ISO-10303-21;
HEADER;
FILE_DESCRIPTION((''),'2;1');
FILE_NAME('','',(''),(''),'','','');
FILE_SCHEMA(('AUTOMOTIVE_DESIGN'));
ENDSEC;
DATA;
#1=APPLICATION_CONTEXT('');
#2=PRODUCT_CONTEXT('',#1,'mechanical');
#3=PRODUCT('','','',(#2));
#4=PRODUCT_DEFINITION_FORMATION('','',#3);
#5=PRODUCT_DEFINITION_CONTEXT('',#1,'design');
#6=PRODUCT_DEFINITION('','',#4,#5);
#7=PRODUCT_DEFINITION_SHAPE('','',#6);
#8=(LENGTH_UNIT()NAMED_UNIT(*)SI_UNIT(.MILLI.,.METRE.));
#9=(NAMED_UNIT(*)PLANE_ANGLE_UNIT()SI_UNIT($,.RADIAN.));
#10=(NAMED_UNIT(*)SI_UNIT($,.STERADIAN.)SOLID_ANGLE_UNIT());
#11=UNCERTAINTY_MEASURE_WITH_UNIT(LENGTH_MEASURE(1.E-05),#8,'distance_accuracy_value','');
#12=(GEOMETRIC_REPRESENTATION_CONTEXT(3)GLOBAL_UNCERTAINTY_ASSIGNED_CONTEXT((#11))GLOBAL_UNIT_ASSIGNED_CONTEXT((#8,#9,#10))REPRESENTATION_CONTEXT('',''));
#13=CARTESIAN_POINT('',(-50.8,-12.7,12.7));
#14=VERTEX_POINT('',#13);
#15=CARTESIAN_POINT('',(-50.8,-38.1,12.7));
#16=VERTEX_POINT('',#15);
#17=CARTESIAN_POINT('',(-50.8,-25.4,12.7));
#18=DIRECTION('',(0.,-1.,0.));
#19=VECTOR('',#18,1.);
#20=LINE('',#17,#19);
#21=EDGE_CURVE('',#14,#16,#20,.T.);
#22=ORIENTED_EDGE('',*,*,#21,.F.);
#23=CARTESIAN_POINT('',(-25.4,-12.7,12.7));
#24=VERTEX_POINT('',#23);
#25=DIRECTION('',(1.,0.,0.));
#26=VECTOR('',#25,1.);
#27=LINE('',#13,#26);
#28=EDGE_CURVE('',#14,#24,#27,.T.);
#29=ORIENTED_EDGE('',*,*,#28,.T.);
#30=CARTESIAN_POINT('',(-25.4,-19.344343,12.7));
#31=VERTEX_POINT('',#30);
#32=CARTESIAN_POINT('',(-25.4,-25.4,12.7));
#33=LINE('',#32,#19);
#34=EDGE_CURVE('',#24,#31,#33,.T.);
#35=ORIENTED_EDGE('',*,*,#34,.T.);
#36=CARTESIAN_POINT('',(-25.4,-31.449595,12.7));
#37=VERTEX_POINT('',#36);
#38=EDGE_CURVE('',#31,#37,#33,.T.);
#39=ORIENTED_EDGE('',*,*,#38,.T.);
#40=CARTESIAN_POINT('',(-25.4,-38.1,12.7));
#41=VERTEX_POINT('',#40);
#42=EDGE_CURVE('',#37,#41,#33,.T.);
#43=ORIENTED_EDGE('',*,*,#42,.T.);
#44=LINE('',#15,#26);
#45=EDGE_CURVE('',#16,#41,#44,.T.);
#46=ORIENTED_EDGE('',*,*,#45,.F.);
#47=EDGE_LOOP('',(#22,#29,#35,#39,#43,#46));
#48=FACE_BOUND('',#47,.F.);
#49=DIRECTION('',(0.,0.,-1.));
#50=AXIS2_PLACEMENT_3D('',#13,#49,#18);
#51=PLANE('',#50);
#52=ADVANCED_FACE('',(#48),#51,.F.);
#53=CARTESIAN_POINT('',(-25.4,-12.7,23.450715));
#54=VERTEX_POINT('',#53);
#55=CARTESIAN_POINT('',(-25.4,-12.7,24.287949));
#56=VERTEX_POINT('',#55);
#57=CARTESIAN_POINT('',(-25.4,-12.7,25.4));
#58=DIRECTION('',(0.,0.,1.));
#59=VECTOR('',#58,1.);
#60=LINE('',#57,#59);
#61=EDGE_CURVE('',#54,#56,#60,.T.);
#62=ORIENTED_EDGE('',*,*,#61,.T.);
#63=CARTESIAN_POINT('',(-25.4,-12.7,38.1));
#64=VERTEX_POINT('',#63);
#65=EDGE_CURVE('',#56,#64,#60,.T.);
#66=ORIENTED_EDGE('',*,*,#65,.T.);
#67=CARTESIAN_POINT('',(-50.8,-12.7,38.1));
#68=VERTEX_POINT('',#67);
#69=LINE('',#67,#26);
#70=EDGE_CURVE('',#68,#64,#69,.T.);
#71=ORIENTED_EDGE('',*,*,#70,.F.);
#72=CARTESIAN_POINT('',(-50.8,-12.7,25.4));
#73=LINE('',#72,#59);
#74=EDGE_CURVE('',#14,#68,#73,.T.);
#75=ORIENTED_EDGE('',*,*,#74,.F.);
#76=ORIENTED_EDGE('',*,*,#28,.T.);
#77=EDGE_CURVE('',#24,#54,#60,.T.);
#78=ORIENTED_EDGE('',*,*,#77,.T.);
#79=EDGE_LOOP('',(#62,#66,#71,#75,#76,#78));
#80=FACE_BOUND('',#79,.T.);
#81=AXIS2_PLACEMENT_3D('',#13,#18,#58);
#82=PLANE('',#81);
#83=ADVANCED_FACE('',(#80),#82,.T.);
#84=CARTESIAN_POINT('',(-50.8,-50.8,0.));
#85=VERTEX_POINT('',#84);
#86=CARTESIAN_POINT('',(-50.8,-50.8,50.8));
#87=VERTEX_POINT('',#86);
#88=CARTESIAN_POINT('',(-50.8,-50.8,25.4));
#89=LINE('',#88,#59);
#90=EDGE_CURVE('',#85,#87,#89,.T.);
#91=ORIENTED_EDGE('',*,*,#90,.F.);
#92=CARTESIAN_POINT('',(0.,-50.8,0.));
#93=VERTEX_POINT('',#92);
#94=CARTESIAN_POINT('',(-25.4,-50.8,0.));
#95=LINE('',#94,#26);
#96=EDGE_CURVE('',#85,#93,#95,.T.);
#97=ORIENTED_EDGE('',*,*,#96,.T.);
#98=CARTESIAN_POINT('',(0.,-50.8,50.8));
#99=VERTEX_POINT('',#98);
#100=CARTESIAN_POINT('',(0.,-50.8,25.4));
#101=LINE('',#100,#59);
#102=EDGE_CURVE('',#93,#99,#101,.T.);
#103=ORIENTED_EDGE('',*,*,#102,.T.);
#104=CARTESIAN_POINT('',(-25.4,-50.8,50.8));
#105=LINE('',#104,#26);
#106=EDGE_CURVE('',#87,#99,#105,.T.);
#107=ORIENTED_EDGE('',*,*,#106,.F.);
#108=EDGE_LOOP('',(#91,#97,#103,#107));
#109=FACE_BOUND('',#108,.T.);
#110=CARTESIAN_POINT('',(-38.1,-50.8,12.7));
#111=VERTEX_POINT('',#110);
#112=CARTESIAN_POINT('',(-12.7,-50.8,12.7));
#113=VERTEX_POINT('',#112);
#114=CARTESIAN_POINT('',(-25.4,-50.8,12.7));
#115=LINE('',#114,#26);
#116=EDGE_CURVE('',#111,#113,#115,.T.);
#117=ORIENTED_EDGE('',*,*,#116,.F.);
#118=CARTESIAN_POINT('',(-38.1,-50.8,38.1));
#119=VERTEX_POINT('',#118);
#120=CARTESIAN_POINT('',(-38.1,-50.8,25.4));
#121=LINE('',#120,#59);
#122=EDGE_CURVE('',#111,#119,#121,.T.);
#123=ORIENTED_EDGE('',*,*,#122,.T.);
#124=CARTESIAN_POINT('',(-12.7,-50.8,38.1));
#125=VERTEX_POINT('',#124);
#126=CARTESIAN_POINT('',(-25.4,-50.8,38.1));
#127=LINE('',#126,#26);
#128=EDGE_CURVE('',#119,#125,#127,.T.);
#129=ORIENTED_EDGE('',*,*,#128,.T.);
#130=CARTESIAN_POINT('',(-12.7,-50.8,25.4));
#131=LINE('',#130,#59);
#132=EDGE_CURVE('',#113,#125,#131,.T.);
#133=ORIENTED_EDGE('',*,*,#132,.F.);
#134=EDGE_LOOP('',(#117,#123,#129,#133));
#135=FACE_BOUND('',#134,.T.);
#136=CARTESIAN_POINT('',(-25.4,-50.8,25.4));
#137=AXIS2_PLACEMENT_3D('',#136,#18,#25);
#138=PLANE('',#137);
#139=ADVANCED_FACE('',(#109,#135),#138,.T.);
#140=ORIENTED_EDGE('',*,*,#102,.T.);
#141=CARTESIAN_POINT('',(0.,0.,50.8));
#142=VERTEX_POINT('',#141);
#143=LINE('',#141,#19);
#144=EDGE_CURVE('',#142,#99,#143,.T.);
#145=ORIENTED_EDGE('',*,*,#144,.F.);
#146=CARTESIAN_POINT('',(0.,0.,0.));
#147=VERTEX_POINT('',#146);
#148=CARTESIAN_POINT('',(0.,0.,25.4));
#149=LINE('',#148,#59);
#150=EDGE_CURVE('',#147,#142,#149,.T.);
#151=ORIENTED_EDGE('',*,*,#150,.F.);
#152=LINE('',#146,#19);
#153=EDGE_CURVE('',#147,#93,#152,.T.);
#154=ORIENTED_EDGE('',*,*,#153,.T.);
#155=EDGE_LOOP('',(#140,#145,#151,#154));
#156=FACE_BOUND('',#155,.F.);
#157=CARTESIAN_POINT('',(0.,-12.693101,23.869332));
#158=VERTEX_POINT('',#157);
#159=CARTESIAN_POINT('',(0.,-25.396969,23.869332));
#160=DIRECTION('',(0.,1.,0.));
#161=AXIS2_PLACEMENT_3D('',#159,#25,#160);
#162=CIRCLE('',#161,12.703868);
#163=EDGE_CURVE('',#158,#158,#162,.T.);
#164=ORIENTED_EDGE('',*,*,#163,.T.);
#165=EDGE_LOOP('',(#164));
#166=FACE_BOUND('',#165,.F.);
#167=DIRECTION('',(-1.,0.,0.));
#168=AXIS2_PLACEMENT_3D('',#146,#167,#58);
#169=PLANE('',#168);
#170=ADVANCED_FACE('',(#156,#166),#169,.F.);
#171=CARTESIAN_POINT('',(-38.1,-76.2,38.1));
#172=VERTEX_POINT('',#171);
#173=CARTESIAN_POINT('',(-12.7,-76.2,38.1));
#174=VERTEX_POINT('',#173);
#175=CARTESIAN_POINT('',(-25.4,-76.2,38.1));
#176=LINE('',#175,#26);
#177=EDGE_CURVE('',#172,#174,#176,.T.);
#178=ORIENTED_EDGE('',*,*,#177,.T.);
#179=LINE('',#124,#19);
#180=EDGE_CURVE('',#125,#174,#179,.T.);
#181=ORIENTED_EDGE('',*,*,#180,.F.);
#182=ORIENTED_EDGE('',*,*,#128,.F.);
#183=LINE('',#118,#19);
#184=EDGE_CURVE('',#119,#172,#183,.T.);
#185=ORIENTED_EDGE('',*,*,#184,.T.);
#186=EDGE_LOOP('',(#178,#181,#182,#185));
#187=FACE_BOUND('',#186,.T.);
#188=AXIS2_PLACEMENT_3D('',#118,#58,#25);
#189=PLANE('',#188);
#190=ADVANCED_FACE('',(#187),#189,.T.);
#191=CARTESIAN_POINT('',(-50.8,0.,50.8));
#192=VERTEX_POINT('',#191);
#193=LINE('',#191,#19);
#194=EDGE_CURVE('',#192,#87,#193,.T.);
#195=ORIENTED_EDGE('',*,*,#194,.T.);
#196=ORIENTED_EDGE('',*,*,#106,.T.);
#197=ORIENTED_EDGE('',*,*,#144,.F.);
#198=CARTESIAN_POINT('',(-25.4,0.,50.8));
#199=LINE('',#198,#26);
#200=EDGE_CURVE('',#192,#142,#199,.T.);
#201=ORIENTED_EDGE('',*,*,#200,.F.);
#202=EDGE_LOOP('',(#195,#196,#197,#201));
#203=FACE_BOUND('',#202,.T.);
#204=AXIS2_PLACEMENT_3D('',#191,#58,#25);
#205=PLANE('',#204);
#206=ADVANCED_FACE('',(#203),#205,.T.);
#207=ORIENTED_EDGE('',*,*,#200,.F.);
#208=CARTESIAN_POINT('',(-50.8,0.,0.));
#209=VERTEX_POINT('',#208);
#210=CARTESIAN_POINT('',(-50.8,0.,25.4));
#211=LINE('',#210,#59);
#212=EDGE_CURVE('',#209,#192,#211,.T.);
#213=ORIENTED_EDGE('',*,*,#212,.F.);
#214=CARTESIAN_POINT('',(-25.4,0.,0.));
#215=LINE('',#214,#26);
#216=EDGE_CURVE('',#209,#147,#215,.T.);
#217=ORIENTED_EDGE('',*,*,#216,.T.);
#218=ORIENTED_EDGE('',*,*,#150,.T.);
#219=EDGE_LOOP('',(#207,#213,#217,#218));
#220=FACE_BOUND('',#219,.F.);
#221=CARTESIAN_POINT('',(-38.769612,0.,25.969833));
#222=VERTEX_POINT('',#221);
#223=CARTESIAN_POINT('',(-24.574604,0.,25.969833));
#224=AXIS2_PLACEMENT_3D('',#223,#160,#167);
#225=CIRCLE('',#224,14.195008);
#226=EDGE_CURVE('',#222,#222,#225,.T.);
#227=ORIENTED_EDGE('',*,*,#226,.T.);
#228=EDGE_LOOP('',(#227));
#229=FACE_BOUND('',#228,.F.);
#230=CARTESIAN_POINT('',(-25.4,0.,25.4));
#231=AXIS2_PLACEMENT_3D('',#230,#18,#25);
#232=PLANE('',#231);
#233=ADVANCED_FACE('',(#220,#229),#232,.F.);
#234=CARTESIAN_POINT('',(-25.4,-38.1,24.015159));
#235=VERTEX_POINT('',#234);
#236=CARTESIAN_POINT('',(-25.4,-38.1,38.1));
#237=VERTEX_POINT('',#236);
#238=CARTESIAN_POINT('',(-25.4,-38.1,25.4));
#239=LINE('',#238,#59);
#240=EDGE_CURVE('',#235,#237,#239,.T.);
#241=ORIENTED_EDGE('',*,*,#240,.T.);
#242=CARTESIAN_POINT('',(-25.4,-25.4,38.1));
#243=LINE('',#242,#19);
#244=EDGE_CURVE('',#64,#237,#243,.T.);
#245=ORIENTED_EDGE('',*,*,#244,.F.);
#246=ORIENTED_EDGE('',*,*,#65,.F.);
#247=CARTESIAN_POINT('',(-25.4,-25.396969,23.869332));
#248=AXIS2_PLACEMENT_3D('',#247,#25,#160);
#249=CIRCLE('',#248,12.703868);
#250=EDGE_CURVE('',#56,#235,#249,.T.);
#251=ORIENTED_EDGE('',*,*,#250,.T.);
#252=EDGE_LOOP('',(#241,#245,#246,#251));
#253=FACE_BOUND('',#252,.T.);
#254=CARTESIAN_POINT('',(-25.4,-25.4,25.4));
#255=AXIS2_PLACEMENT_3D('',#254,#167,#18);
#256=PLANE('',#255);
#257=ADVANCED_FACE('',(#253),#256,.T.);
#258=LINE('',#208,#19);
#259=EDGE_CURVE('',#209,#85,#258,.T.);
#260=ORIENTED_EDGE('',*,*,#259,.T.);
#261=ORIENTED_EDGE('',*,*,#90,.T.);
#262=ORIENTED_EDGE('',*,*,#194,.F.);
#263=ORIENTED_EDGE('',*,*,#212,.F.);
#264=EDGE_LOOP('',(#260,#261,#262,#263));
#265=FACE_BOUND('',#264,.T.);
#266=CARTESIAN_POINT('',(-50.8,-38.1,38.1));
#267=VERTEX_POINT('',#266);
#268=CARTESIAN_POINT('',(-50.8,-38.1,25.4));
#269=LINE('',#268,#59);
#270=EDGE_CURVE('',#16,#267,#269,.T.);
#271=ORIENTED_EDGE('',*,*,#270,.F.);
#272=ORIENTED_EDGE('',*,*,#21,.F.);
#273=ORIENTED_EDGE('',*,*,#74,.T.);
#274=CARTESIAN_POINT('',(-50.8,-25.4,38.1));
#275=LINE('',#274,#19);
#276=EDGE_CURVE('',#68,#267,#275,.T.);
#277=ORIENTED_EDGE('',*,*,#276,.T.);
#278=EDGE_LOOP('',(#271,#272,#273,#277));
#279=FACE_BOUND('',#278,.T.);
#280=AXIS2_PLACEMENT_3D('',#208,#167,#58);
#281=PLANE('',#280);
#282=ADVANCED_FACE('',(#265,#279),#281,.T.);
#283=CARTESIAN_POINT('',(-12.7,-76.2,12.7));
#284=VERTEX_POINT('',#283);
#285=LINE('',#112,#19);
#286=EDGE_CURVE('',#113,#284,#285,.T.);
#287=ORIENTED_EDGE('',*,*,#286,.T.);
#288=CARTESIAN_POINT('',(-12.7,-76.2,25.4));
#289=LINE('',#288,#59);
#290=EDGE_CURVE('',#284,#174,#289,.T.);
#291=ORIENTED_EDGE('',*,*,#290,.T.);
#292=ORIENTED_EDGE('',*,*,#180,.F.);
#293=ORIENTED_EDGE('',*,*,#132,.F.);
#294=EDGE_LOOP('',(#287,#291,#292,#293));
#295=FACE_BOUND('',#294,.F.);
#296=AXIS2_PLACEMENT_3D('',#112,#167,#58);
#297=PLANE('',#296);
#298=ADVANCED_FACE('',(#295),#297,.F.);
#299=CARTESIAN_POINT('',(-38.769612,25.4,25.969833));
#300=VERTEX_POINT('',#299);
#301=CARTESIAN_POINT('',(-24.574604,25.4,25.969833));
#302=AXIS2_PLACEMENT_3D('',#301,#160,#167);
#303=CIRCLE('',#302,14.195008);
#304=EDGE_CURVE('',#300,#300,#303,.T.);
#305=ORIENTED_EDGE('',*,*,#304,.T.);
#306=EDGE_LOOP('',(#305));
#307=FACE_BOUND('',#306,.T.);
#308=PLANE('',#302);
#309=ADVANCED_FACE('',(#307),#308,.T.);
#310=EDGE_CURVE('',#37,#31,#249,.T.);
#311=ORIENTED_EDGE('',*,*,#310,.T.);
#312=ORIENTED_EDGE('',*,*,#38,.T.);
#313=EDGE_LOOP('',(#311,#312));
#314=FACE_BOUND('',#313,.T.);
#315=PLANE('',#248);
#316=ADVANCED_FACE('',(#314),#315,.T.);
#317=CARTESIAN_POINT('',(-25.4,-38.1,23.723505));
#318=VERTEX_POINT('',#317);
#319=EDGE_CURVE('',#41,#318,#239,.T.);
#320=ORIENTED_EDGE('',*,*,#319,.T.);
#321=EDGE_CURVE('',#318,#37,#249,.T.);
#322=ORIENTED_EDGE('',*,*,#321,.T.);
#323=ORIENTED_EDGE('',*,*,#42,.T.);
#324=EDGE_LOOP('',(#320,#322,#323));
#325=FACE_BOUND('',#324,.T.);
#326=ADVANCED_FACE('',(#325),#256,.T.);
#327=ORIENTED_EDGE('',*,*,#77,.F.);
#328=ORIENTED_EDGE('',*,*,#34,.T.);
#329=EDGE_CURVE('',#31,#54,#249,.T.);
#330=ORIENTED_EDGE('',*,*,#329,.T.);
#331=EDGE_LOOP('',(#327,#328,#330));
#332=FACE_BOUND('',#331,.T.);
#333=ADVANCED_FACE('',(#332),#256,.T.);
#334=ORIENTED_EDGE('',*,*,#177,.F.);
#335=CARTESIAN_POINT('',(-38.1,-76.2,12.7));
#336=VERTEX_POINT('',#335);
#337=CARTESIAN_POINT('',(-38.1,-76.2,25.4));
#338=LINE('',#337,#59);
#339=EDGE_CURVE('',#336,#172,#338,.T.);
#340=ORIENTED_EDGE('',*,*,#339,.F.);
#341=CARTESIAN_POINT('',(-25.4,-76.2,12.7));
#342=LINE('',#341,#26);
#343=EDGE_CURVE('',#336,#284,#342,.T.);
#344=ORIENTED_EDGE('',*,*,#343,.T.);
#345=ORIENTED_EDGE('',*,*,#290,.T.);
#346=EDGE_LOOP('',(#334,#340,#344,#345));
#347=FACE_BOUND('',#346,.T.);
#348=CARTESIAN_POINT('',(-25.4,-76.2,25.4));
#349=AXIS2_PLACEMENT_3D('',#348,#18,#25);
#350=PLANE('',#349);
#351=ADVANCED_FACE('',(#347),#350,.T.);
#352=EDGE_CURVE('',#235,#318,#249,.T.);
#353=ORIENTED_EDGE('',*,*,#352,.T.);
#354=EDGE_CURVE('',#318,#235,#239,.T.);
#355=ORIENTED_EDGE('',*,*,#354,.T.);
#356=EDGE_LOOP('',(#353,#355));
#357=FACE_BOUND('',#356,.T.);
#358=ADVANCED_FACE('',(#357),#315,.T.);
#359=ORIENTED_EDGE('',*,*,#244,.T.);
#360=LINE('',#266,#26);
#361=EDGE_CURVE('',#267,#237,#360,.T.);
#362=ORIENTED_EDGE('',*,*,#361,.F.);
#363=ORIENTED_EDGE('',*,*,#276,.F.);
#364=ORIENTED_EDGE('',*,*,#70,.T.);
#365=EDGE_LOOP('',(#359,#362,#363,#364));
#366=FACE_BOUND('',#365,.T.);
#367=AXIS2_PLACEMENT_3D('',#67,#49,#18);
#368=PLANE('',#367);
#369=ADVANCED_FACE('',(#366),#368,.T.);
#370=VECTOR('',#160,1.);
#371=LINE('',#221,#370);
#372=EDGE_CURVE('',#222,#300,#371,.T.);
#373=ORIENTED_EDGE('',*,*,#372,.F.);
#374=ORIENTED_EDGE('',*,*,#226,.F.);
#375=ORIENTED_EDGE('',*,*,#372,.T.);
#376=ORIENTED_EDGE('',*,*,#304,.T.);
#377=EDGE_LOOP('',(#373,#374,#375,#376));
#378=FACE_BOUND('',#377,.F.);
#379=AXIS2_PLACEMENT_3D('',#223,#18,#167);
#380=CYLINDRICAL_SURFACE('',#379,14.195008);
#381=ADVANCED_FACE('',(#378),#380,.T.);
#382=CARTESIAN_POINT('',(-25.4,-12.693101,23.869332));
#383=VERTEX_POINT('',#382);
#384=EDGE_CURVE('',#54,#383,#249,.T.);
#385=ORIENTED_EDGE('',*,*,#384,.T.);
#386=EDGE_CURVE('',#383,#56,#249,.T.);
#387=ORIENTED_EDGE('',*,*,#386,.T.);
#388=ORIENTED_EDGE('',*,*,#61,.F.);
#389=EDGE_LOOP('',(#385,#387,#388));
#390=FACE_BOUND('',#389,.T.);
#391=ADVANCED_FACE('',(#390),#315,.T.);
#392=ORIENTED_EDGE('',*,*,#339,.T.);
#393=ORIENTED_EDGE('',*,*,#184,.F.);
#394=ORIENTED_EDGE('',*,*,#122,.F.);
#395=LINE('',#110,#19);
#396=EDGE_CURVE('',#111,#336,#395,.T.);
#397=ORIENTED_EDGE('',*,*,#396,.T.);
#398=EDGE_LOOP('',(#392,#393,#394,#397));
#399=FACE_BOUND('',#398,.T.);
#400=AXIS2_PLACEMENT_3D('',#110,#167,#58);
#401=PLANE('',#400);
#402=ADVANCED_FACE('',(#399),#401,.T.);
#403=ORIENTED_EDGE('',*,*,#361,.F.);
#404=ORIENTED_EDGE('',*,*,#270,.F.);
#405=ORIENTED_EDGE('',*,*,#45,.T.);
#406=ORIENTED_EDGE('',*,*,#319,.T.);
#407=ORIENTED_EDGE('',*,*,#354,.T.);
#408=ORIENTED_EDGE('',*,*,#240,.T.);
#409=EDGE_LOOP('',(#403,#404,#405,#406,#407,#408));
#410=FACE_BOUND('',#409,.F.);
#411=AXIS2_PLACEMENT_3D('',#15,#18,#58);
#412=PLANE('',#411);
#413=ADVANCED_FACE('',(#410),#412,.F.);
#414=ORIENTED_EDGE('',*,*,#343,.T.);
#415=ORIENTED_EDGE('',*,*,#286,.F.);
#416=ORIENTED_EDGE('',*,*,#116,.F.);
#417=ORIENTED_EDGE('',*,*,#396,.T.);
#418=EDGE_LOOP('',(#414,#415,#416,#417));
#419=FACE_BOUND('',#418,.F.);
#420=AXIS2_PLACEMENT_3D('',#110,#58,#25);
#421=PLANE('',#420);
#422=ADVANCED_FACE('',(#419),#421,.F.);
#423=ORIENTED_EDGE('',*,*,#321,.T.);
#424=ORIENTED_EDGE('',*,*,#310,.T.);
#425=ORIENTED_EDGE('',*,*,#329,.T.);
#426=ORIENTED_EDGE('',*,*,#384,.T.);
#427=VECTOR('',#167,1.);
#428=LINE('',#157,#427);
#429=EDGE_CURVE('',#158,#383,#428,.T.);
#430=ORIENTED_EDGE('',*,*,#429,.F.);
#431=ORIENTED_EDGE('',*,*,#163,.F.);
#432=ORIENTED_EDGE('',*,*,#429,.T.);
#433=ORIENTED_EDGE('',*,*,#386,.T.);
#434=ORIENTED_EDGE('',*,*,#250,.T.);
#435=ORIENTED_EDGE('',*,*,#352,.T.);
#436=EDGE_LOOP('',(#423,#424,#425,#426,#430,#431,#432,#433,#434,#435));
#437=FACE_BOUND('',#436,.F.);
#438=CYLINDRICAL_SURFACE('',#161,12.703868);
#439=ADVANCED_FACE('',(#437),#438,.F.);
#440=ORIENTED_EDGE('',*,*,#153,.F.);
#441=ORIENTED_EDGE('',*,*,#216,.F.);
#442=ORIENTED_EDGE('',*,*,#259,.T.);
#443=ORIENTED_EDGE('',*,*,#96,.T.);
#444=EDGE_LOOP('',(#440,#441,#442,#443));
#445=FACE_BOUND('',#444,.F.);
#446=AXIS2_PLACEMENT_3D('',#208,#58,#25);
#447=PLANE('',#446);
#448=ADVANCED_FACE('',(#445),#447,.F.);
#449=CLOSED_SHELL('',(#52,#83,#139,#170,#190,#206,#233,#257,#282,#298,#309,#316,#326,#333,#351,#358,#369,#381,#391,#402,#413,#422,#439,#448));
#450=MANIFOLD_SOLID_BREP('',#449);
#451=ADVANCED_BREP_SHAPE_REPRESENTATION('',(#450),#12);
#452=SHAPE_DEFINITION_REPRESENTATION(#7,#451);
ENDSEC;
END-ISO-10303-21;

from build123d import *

# Parameters (mm, degrees)
F0_W     = 50.8
F0_H     = 50.8
F1_DEPTH = 50.8
F2_W     = 25.4
F2_H     = 25.4
F3_DEPTH = 25.4
F4_W     = 25.4
F4_H     = 25.4
F5_DEPTH = 25.4
F6_R     = 12.703868
F7_DEPTH = 25.4
F8_R     = 14.195008
F9_DEPTH = 25.4


with BuildPart() as f1:
    # F0 (on Front) → F1 (new body)
    with BuildSketch(Plane.XZ):
        with Locations((-25.4, 25.4)):
            Rectangle(F0_W, F0_H)
    extrude(amount=F1_DEPTH)

    # F2 (on face) → F3 (join)
    with BuildSketch(Plane.XZ.offset(50.8)):
        with Locations((-25.4, 25.4)):
            Rectangle(F2_W, F2_H)
    extrude(amount=F3_DEPTH)

    # F4 (on face) → F5 (cut)
    with BuildSketch(Plane(origin=(-50.8, 0, 0), x_dir=(0, -1, 0), z_dir=(-1, 0, 0))):
        with Locations((25.4, 25.4)):
            Rectangle(F4_W, F4_H)
    extrude(amount=-F5_DEPTH, mode=Mode.SUBTRACT)

    # F6 (on face) → F7 (cut)
    with BuildSketch(Plane.YZ):
        with Locations((-25.396969, 23.869332)):
            Circle(F6_R)
    extrude(amount=-F7_DEPTH, mode=Mode.SUBTRACT)

    # F8 (on face) → F9 (join)
    with BuildSketch(Plane(origin=(0, 0, 0), x_dir=(-1, 0, 0), z_dir=(0, 1, 0))):
        with Locations((24.574604, 25.969833)):
            Circle(F8_R)
    extrude(amount=F9_DEPTH)


solid = f1.part
